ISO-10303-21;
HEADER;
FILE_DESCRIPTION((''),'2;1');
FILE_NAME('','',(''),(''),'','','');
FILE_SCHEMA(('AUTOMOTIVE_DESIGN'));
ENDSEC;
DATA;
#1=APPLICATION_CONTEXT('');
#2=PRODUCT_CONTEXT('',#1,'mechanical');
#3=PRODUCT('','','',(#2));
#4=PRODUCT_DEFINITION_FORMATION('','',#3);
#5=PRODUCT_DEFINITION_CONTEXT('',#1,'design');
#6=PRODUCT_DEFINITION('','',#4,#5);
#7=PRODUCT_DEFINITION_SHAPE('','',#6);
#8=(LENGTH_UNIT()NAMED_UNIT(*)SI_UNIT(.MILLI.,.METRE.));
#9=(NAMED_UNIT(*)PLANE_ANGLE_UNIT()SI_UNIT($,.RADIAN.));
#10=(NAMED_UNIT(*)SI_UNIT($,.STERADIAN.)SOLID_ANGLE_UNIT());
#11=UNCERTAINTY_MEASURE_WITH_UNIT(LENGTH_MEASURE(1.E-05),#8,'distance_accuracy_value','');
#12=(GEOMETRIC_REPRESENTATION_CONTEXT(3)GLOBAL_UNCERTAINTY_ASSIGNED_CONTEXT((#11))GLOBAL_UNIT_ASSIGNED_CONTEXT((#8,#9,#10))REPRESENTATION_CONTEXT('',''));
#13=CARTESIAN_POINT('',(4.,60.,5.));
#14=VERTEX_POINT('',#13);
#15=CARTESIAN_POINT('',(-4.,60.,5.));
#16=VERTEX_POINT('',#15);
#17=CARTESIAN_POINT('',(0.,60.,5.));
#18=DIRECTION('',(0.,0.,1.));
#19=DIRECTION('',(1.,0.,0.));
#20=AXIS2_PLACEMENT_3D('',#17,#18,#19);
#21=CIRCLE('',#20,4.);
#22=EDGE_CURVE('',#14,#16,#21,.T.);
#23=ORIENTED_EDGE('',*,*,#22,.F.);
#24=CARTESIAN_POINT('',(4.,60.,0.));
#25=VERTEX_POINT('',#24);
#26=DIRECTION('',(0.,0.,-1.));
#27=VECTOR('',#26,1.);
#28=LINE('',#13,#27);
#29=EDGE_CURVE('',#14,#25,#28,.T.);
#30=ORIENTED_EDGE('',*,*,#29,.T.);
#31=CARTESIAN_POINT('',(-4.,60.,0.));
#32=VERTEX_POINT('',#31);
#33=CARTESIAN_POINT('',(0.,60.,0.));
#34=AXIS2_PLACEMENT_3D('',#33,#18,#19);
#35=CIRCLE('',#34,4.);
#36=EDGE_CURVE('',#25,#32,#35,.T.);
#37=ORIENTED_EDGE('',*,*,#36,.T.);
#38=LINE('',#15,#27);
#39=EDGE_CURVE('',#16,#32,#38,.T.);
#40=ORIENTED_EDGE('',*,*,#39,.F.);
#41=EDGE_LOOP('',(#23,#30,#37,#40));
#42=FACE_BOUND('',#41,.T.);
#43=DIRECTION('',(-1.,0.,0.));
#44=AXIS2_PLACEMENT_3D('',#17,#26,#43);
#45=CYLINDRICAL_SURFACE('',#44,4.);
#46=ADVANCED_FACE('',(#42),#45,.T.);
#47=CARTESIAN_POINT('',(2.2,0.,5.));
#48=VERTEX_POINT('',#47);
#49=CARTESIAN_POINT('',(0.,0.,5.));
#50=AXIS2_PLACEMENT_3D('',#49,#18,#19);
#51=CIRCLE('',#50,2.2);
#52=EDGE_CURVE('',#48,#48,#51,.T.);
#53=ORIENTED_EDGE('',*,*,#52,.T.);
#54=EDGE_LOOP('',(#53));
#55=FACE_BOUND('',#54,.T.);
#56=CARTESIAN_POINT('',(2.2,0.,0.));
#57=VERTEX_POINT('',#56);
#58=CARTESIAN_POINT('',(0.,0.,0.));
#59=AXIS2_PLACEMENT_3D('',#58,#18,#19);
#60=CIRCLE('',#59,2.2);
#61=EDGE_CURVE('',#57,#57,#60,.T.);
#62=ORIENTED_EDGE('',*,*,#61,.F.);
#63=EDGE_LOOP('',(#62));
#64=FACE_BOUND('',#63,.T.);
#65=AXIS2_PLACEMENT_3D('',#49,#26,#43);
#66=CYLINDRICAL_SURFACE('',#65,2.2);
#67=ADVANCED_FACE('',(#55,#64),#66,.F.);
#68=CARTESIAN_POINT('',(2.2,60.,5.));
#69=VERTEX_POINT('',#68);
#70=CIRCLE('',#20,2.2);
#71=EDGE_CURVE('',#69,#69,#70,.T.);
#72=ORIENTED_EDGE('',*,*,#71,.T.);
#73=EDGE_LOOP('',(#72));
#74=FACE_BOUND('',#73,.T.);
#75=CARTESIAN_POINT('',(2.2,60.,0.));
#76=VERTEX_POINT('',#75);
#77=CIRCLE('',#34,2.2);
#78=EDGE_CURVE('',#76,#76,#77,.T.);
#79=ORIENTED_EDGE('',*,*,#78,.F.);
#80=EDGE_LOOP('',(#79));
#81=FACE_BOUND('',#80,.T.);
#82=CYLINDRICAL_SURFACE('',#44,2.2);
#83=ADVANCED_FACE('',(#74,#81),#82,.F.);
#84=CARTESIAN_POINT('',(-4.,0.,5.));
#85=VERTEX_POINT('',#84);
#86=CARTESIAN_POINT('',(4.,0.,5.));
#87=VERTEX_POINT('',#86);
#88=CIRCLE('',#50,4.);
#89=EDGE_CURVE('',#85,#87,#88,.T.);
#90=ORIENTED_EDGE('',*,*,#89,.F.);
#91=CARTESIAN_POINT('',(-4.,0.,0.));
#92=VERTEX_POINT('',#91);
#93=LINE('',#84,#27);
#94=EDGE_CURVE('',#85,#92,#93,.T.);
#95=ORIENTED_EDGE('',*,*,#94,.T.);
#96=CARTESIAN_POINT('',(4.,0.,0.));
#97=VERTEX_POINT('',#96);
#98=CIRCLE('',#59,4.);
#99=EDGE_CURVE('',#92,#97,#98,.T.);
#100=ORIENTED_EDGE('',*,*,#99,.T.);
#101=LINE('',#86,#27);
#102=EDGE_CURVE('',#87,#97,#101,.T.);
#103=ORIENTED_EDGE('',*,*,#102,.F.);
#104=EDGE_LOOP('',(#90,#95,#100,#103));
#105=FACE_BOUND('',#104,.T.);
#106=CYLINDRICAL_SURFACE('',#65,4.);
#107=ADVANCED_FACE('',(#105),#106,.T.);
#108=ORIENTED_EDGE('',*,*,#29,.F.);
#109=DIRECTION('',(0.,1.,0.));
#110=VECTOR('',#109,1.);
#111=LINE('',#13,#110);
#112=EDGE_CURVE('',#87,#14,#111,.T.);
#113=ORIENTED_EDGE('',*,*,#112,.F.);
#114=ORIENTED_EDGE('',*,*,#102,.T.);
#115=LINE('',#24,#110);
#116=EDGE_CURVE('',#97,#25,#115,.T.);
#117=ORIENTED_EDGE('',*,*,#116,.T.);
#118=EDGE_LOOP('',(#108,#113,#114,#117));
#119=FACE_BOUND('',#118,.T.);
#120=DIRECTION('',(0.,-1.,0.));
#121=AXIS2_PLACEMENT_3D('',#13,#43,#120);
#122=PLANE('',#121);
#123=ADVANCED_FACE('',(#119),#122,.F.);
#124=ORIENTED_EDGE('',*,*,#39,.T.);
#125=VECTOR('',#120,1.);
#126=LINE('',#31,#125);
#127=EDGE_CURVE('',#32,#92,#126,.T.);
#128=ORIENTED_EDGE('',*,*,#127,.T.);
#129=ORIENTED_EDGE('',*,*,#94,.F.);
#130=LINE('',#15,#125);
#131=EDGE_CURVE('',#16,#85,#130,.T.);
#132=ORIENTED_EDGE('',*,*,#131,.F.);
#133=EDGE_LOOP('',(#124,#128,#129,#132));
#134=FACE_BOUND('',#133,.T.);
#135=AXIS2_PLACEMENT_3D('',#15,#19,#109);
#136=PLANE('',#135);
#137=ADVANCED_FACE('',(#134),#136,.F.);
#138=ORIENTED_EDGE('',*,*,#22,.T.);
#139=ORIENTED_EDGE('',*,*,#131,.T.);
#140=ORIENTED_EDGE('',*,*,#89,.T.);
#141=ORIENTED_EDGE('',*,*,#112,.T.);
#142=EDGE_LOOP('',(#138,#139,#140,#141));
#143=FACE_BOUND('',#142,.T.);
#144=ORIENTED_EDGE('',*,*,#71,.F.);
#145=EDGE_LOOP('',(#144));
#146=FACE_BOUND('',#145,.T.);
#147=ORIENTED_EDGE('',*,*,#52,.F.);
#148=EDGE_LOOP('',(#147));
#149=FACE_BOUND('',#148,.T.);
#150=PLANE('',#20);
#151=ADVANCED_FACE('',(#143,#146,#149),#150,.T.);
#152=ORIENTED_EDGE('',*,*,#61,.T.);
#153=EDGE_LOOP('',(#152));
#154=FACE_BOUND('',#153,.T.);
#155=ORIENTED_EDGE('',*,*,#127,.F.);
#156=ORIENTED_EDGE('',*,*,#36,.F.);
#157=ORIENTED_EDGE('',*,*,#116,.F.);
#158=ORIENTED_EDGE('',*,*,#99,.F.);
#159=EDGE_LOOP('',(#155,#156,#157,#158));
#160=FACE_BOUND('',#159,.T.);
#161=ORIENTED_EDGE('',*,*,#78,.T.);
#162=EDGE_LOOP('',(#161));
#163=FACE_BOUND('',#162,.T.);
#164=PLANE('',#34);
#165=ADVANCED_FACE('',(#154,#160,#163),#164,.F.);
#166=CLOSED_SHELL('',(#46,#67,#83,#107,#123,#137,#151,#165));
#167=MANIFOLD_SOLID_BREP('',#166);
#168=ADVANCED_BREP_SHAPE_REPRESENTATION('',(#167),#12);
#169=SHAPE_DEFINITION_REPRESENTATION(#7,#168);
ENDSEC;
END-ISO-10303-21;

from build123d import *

# Parameters (mm, degrees)
SKETCH1_R           = 2.2
BOSS_EXTRUDE1_DEPTH = 5


with BuildPart() as part:
    # Sketch1 → Boss-Extrude1 (new body)
    with BuildSketch(Plane.XY):
        with BuildLine():
            Line((-4, 60), (-4, 0))
            ThreePointArc((-4, 0), (0, -4), (4, 0))
            Line((4, 0), (4, 60))
            ThreePointArc((4, 60), (0, 64), (-4, 60))
        make_face()
        Circle(SKETCH1_R, mode=Mode.SUBTRACT)
        with Locations((0, 60)):
            Circle(SKETCH1_R, mode=Mode.SUBTRACT)
    extrude(amount=BOSS_EXTRUDE1_DEPTH)


solid = part.part
